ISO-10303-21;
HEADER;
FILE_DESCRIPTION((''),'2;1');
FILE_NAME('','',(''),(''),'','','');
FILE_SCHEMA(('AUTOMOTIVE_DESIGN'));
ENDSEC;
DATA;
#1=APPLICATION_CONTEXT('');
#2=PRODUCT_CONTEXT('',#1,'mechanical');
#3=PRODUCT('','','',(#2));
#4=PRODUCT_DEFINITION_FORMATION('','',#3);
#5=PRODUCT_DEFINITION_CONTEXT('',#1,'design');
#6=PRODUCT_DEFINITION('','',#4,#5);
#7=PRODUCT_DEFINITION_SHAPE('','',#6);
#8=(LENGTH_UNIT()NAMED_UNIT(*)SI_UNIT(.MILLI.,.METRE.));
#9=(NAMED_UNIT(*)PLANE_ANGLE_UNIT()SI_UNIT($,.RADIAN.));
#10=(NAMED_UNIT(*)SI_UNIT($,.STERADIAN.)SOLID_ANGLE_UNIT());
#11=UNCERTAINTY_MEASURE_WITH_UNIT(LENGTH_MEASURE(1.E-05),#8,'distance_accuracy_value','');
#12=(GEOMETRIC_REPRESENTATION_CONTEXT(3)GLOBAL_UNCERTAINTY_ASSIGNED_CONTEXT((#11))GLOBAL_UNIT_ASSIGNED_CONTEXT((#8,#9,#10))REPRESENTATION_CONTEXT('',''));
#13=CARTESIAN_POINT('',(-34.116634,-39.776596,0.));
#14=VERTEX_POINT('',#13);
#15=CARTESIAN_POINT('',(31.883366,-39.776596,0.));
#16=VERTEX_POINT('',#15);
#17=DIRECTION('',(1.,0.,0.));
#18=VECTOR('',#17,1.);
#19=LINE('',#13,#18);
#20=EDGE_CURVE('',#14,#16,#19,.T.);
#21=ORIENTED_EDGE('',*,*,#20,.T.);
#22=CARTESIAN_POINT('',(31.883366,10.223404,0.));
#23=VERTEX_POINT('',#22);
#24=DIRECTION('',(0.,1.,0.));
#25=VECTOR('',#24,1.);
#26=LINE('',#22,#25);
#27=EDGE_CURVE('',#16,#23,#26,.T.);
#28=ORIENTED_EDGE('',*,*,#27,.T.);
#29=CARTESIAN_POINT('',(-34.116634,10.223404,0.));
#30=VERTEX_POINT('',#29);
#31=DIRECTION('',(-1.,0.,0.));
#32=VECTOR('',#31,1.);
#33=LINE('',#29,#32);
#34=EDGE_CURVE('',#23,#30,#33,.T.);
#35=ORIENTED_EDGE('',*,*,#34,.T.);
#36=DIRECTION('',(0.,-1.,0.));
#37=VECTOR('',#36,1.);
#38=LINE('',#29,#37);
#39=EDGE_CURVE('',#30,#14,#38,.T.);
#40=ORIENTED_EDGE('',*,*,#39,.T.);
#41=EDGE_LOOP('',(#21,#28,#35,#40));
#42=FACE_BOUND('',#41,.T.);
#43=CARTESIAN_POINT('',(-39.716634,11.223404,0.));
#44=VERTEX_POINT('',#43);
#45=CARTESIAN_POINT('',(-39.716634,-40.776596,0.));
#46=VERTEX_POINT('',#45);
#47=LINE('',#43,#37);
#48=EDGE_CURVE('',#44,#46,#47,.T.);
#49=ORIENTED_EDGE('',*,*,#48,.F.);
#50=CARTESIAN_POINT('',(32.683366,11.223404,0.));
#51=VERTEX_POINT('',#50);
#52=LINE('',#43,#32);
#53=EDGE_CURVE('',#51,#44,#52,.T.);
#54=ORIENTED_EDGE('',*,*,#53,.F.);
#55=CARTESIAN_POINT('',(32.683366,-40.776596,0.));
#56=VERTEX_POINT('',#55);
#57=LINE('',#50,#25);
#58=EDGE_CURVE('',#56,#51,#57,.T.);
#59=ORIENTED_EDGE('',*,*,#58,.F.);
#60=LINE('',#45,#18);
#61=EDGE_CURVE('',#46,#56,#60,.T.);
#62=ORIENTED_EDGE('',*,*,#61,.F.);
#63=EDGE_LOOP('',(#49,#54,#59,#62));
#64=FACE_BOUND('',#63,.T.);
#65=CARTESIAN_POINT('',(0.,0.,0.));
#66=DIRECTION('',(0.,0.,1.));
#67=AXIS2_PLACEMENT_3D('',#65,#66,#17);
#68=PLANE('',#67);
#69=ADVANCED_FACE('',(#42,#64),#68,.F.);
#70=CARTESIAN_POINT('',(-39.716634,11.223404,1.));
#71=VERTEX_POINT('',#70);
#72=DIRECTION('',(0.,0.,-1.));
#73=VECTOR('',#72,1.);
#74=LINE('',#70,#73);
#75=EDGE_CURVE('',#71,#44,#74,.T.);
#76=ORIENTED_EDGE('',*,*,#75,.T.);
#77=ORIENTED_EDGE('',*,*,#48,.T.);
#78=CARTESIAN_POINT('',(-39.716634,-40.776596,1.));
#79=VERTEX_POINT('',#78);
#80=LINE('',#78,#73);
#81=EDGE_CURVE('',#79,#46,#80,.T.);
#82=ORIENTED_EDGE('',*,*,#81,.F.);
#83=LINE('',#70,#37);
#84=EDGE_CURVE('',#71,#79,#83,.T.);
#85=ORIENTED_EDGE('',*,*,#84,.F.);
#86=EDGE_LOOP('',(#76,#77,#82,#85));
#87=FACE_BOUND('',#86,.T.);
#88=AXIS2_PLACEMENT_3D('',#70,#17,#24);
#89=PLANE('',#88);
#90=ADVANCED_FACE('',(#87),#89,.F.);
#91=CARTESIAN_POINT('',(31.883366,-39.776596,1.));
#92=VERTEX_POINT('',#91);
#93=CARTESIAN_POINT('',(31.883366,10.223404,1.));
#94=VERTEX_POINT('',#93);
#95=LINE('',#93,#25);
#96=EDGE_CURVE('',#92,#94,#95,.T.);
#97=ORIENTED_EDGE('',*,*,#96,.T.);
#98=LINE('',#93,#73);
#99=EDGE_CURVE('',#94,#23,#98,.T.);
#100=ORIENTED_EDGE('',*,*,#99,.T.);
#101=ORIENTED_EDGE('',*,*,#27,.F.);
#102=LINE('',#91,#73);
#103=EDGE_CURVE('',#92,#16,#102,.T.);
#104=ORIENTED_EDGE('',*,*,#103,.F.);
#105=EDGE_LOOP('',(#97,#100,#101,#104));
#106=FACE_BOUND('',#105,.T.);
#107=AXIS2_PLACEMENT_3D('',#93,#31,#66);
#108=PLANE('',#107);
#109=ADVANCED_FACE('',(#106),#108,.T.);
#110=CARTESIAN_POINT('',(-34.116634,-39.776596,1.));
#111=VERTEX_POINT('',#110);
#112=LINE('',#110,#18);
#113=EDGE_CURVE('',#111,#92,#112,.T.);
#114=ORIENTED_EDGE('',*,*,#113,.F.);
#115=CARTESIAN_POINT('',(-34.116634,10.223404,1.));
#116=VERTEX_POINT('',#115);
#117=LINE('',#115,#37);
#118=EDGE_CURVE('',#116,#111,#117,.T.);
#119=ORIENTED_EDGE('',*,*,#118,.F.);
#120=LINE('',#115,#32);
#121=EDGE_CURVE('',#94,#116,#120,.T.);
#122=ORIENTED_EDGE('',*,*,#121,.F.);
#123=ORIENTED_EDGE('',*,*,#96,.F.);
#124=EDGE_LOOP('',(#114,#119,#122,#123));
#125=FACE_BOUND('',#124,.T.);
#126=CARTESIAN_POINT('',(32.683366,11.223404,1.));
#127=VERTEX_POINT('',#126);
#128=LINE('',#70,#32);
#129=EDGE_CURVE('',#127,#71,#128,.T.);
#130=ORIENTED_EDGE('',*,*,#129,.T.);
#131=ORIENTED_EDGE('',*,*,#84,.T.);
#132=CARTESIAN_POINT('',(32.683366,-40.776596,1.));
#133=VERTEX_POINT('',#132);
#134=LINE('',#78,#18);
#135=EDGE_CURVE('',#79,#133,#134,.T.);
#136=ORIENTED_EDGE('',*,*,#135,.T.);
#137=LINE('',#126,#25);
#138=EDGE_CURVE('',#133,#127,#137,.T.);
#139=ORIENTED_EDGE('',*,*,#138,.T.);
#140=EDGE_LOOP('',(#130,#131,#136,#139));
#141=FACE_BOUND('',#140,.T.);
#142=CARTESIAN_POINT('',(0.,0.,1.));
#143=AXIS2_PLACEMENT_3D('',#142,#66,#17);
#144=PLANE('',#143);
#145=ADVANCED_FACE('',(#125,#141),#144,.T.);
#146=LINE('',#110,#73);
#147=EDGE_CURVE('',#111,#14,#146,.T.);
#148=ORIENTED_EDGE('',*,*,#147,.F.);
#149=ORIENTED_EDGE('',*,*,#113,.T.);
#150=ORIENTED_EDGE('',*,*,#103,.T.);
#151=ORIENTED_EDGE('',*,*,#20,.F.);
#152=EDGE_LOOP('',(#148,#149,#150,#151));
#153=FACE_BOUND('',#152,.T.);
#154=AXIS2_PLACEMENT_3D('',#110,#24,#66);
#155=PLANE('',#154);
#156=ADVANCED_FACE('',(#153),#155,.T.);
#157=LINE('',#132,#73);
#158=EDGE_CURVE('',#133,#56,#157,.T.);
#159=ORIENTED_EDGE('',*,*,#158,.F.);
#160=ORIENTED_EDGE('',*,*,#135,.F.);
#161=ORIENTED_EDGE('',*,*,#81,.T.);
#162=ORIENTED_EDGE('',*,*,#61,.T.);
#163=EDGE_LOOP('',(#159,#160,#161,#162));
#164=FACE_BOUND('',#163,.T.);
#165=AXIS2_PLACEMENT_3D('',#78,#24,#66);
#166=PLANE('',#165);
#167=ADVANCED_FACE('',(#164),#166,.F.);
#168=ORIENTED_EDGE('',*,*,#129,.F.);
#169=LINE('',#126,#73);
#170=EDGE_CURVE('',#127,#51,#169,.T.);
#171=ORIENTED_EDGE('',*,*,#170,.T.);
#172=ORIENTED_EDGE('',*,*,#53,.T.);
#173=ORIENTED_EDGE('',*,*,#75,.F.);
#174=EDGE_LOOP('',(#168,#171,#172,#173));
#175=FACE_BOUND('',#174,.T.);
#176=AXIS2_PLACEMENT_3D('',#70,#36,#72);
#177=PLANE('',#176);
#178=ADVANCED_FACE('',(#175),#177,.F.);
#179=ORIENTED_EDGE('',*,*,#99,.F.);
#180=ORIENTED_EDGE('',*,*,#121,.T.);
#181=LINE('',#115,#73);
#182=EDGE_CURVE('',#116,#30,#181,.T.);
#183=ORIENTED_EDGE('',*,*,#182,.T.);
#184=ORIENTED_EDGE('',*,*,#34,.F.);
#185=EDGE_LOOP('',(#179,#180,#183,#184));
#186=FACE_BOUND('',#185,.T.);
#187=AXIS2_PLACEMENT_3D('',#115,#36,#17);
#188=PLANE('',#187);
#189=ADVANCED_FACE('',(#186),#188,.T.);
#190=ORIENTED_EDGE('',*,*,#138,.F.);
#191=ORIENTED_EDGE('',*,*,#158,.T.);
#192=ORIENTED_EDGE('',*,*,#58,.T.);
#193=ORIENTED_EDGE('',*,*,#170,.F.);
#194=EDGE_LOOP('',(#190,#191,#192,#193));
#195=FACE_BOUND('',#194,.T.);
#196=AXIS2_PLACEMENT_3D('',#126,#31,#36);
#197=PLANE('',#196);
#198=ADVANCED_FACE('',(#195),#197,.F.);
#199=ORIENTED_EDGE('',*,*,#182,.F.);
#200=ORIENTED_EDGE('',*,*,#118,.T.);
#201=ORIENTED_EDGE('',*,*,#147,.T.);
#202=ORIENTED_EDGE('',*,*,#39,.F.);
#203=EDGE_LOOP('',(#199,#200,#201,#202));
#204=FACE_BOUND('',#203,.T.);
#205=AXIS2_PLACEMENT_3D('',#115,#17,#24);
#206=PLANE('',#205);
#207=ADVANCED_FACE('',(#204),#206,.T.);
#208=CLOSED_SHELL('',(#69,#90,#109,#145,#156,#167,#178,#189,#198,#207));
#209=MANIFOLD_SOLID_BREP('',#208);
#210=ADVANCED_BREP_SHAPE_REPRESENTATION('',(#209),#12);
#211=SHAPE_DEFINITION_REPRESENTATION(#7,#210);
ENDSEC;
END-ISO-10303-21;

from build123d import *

# Parameters (mm, degrees)
SKIZZE1_W                       = 72.4
SKIZZE1_H                       = 52
SKIZZE1_W_2                     = 66
SKIZZE1_H_2                     = 50
AUFSATZ_LINEAR_AUSTRAGEN1_DEPTH = 1


with BuildPart() as part:
    # Skizze1 → Aufsatz-Linear austragen1 (new body)
    with BuildSketch(Plane.XY):
        with Locations((-3.516633548, -14.776595745)):
            Rectangle(SKIZZE1_W, SKIZZE1_H)
        with Locations((-1.116633548, -14.776595745)):
            Rectangle(SKIZZE1_W_2, SKIZZE1_H_2, mode=Mode.SUBTRACT)
    extrude(amount=AUFSATZ_LINEAR_AUSTRAGEN1_DEPTH)


solid = part.part
